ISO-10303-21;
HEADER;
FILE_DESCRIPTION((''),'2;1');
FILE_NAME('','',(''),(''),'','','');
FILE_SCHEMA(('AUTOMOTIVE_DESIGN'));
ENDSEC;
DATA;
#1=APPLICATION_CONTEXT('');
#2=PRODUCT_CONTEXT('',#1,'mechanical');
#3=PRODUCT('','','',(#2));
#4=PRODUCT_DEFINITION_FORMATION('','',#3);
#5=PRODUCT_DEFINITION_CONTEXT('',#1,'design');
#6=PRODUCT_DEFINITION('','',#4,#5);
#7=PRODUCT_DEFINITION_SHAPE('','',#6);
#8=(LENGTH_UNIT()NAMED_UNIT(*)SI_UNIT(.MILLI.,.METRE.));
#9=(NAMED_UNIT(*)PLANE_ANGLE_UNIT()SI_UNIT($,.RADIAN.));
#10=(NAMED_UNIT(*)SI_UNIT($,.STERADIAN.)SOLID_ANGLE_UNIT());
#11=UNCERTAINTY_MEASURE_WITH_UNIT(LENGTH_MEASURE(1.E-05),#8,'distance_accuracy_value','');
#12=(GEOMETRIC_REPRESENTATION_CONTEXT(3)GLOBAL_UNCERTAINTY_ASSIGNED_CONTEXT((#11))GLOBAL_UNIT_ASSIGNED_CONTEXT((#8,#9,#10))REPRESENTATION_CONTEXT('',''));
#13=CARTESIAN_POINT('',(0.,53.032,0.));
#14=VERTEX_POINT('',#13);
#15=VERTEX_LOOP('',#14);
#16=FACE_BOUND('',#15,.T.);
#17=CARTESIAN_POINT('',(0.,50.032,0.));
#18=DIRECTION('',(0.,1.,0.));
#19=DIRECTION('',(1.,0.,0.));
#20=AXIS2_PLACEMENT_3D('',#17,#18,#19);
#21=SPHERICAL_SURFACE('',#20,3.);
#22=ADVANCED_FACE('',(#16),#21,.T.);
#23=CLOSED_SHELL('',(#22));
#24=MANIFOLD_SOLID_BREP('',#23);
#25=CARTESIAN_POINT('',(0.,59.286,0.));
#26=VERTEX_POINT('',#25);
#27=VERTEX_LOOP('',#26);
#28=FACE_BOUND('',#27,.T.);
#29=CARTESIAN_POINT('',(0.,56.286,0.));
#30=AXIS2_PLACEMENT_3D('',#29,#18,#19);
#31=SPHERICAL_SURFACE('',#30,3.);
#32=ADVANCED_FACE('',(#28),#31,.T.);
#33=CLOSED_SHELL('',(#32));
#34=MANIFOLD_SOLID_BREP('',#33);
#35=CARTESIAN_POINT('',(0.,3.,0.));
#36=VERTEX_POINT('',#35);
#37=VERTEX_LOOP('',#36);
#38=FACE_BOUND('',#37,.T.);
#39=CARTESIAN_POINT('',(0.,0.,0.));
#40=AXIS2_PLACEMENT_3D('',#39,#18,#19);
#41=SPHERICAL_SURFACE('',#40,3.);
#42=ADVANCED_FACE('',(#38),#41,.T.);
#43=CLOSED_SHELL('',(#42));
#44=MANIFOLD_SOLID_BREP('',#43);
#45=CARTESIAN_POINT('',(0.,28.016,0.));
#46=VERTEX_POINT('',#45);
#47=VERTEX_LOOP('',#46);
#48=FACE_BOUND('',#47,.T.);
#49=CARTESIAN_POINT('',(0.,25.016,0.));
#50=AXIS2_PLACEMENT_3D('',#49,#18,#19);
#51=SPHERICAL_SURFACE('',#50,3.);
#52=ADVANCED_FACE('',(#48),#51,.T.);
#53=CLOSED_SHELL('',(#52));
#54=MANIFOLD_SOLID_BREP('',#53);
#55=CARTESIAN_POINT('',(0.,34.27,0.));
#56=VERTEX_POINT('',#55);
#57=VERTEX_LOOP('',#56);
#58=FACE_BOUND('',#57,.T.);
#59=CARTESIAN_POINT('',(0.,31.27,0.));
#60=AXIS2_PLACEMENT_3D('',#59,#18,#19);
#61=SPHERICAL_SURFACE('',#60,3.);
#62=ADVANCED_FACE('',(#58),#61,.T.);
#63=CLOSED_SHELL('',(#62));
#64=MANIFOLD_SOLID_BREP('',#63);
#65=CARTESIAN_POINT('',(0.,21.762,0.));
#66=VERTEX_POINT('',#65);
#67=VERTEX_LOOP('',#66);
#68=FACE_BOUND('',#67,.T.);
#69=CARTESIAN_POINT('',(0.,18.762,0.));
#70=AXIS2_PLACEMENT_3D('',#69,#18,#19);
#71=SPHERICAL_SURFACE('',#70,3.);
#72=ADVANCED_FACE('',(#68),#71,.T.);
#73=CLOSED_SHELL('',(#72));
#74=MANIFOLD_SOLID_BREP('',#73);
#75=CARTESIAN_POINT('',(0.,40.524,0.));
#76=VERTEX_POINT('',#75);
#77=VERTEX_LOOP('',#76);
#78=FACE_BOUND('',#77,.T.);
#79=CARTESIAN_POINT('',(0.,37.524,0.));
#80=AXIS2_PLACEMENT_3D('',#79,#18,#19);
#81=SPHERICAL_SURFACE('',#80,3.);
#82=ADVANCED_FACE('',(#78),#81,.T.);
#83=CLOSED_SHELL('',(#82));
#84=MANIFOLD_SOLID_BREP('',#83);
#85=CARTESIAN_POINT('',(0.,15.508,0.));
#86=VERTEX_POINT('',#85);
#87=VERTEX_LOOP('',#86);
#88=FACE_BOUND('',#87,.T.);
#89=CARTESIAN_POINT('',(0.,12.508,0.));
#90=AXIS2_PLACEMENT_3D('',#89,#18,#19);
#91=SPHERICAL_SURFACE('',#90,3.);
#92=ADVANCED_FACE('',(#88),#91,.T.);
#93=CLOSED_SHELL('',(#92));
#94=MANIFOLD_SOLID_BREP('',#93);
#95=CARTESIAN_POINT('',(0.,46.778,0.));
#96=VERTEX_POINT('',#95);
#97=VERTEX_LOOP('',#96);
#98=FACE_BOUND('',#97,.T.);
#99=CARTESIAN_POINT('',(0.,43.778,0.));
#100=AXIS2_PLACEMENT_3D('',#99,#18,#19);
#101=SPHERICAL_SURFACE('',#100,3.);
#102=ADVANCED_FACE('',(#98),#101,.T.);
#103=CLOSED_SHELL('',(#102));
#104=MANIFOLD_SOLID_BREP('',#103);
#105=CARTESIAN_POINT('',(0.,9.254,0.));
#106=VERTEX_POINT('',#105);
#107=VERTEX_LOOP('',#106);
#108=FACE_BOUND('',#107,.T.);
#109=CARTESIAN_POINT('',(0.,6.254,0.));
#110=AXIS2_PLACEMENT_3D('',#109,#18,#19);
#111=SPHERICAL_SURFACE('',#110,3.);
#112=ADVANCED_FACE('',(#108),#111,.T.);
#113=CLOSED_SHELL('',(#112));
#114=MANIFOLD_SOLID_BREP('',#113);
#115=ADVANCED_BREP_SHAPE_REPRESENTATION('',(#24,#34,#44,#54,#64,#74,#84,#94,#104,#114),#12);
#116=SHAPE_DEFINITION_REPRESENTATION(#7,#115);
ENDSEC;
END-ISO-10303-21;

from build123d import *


with BuildPart() as part:
    # Sketch1 → Revolve6 (revolve)
    with BuildSketch(Plane.XY):
        with BuildLine():
            Line((0, 3), (0, -3))
            ThreePointArc((0, -3), (3, 0), (0, 3))
        make_face()
        with BuildLine():
            Line((0, 9.254), (0, 3.254))
            ThreePointArc((0, 3.254), (3, 6.254), (0, 9.254))
        make_face()
        with BuildLine():
            Line((0, 15.508), (0, 9.508))
            ThreePointArc((0, 9.508), (3, 12.508), (0, 15.508))
        make_face()
        with BuildLine():
            Line((0, 21.762), (0, 15.762))
            ThreePointArc((0, 15.762), (3, 18.762), (0, 21.762))
        make_face()
        with BuildLine():
            Line((0, 28.016), (0, 22.016))
            ThreePointArc((0, 22.016), (3, 25.016), (0, 28.016))
        make_face()
        with BuildLine():
            Line((0, 34.27), (0, 28.27))
            ThreePointArc((0, 28.27), (3, 31.27), (0, 34.27))
        make_face()
        with BuildLine():
            Line((0, 40.524), (0, 34.524))
            ThreePointArc((0, 34.524), (3, 37.524), (0, 40.524))
        make_face()
        with BuildLine():
            Line((0, 46.778), (0, 40.778))
            ThreePointArc((0, 40.778), (3, 43.778), (0, 46.778))
        make_face()
        with BuildLine():
            Line((0, 53.032), (0, 47.032))
            ThreePointArc((0, 47.032), (3, 50.032), (0, 53.032))
        make_face()
        with BuildLine():
            Line((0, 59.286), (0, 53.286))
            ThreePointArc((0, 53.286), (3, 56.286), (0, 59.286))
        make_face()
    revolve(axis=Axis((0, 3, 0), (0, -1, 0)))


solid = part.part
